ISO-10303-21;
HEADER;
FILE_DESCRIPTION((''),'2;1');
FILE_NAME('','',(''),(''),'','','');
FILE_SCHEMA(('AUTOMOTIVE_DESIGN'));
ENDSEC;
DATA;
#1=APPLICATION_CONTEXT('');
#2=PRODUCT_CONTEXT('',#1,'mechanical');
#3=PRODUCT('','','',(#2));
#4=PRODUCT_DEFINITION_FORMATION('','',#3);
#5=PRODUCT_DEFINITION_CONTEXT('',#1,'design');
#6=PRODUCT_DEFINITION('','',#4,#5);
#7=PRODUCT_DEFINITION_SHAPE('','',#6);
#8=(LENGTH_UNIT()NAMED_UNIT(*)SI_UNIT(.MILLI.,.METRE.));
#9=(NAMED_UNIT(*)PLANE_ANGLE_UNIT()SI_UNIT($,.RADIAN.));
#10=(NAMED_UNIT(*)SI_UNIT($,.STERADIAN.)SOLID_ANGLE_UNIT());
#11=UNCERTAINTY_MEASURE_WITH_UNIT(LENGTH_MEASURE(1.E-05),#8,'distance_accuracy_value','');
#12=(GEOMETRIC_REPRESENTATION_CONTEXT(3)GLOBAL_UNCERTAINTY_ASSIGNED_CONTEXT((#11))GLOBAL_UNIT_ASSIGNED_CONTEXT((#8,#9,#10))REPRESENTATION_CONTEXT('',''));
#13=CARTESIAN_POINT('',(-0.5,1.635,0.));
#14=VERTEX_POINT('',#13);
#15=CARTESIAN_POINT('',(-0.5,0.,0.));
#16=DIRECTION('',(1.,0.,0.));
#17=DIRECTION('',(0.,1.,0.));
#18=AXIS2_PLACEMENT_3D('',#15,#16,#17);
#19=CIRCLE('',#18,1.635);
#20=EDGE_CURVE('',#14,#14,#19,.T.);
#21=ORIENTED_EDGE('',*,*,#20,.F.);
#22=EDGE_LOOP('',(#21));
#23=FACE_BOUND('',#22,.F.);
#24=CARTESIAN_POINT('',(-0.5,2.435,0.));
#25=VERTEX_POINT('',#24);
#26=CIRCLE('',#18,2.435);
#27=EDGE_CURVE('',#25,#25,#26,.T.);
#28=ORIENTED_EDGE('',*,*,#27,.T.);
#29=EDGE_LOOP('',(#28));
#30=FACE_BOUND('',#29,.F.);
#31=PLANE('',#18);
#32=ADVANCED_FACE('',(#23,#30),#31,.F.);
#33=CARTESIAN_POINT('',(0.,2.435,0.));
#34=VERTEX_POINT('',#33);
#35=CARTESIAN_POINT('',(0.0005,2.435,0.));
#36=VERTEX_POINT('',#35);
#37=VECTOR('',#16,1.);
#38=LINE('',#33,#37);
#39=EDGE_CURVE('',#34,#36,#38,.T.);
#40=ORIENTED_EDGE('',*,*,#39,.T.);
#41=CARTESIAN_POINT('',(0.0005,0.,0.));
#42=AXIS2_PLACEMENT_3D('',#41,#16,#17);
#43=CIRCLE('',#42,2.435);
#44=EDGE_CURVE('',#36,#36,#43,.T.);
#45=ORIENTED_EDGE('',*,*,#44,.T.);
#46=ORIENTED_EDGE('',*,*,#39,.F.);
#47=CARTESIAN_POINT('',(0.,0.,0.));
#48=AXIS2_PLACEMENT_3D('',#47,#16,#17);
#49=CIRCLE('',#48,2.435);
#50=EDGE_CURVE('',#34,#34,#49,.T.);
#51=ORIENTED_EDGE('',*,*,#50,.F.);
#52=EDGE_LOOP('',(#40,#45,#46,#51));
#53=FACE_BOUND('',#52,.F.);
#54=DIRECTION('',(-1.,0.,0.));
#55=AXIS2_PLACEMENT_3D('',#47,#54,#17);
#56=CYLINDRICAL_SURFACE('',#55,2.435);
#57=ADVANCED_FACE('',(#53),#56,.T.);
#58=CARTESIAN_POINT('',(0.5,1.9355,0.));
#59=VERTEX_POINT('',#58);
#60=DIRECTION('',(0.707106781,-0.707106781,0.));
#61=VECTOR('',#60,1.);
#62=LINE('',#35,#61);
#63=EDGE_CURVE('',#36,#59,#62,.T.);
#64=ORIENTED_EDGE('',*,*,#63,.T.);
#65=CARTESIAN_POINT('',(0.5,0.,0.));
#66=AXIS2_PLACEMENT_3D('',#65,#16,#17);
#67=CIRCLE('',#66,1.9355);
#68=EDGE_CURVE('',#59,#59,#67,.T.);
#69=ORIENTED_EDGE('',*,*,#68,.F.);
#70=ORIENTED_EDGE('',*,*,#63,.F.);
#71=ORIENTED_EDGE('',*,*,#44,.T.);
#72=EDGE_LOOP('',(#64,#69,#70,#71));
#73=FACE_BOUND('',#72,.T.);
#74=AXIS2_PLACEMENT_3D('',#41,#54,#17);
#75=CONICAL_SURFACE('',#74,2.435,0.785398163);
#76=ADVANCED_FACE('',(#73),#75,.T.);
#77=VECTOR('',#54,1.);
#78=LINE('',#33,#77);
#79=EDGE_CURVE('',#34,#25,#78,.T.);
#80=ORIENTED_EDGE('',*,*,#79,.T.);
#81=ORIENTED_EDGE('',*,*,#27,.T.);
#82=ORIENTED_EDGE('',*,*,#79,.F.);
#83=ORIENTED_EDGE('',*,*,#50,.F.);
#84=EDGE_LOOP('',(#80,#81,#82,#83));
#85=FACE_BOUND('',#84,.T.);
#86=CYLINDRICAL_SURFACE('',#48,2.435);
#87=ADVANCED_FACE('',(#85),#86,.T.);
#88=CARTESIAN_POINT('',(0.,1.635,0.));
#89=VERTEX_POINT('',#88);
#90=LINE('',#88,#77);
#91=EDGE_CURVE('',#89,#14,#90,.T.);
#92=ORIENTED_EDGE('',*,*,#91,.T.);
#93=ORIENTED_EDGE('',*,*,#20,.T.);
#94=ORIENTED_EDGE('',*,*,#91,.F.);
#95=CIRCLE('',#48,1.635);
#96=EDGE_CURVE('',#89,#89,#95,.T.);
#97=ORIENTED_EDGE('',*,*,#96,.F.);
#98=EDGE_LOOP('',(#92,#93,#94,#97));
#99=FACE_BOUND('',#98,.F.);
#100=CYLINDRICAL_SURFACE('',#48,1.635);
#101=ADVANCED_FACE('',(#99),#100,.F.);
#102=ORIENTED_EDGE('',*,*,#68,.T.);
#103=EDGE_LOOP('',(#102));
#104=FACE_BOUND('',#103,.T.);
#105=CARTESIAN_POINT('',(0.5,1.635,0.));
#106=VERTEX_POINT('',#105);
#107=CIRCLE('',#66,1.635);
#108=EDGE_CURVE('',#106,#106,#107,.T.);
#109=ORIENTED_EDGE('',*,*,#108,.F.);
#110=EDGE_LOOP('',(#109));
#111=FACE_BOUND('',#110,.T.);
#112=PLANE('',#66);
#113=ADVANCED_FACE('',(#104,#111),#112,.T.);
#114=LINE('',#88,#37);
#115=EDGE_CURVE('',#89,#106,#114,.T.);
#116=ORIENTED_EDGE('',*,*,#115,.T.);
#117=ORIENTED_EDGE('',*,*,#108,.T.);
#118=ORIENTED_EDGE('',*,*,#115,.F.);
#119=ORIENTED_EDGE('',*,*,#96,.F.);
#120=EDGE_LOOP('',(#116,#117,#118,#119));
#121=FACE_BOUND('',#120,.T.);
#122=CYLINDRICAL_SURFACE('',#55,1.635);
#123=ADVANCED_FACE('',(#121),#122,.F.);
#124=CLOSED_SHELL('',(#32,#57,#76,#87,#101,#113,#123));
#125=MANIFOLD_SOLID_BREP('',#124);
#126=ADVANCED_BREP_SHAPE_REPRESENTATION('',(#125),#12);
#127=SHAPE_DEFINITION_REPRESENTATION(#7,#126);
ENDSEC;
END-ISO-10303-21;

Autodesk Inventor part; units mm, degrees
ref_plane "YZ Plane" through (0, 0, 0) normal (1, 0, 0) x (0, 1, 0)
ref_plane "XZ Plane" through (0, 0, 0) normal (0, 1, 0) x (-1, 0, 0)
ref_plane "XY Plane" through (0, 0, 0) normal (0, 0, 1) x (1, 0, 0)
sketch "スケッチ1" plane through (0, 0, 0) normal (1, 0, 0) x (0, 1, 0)
  circle A0 centre (0, 0) radius 2.435
  circle A1 centre (0, 0) radius 1.635
  dimension "d0" = 3.27
  dimension "d1" = 0.8
extrude "押し出し1" add sketch "スケッチ1" along normal mid plane 1
chamfer "面取り2" distance 0.5 angle 45 1 edges at (0.5, -2.435, 0)
properties part number "spacer_Φ3.2_1"
